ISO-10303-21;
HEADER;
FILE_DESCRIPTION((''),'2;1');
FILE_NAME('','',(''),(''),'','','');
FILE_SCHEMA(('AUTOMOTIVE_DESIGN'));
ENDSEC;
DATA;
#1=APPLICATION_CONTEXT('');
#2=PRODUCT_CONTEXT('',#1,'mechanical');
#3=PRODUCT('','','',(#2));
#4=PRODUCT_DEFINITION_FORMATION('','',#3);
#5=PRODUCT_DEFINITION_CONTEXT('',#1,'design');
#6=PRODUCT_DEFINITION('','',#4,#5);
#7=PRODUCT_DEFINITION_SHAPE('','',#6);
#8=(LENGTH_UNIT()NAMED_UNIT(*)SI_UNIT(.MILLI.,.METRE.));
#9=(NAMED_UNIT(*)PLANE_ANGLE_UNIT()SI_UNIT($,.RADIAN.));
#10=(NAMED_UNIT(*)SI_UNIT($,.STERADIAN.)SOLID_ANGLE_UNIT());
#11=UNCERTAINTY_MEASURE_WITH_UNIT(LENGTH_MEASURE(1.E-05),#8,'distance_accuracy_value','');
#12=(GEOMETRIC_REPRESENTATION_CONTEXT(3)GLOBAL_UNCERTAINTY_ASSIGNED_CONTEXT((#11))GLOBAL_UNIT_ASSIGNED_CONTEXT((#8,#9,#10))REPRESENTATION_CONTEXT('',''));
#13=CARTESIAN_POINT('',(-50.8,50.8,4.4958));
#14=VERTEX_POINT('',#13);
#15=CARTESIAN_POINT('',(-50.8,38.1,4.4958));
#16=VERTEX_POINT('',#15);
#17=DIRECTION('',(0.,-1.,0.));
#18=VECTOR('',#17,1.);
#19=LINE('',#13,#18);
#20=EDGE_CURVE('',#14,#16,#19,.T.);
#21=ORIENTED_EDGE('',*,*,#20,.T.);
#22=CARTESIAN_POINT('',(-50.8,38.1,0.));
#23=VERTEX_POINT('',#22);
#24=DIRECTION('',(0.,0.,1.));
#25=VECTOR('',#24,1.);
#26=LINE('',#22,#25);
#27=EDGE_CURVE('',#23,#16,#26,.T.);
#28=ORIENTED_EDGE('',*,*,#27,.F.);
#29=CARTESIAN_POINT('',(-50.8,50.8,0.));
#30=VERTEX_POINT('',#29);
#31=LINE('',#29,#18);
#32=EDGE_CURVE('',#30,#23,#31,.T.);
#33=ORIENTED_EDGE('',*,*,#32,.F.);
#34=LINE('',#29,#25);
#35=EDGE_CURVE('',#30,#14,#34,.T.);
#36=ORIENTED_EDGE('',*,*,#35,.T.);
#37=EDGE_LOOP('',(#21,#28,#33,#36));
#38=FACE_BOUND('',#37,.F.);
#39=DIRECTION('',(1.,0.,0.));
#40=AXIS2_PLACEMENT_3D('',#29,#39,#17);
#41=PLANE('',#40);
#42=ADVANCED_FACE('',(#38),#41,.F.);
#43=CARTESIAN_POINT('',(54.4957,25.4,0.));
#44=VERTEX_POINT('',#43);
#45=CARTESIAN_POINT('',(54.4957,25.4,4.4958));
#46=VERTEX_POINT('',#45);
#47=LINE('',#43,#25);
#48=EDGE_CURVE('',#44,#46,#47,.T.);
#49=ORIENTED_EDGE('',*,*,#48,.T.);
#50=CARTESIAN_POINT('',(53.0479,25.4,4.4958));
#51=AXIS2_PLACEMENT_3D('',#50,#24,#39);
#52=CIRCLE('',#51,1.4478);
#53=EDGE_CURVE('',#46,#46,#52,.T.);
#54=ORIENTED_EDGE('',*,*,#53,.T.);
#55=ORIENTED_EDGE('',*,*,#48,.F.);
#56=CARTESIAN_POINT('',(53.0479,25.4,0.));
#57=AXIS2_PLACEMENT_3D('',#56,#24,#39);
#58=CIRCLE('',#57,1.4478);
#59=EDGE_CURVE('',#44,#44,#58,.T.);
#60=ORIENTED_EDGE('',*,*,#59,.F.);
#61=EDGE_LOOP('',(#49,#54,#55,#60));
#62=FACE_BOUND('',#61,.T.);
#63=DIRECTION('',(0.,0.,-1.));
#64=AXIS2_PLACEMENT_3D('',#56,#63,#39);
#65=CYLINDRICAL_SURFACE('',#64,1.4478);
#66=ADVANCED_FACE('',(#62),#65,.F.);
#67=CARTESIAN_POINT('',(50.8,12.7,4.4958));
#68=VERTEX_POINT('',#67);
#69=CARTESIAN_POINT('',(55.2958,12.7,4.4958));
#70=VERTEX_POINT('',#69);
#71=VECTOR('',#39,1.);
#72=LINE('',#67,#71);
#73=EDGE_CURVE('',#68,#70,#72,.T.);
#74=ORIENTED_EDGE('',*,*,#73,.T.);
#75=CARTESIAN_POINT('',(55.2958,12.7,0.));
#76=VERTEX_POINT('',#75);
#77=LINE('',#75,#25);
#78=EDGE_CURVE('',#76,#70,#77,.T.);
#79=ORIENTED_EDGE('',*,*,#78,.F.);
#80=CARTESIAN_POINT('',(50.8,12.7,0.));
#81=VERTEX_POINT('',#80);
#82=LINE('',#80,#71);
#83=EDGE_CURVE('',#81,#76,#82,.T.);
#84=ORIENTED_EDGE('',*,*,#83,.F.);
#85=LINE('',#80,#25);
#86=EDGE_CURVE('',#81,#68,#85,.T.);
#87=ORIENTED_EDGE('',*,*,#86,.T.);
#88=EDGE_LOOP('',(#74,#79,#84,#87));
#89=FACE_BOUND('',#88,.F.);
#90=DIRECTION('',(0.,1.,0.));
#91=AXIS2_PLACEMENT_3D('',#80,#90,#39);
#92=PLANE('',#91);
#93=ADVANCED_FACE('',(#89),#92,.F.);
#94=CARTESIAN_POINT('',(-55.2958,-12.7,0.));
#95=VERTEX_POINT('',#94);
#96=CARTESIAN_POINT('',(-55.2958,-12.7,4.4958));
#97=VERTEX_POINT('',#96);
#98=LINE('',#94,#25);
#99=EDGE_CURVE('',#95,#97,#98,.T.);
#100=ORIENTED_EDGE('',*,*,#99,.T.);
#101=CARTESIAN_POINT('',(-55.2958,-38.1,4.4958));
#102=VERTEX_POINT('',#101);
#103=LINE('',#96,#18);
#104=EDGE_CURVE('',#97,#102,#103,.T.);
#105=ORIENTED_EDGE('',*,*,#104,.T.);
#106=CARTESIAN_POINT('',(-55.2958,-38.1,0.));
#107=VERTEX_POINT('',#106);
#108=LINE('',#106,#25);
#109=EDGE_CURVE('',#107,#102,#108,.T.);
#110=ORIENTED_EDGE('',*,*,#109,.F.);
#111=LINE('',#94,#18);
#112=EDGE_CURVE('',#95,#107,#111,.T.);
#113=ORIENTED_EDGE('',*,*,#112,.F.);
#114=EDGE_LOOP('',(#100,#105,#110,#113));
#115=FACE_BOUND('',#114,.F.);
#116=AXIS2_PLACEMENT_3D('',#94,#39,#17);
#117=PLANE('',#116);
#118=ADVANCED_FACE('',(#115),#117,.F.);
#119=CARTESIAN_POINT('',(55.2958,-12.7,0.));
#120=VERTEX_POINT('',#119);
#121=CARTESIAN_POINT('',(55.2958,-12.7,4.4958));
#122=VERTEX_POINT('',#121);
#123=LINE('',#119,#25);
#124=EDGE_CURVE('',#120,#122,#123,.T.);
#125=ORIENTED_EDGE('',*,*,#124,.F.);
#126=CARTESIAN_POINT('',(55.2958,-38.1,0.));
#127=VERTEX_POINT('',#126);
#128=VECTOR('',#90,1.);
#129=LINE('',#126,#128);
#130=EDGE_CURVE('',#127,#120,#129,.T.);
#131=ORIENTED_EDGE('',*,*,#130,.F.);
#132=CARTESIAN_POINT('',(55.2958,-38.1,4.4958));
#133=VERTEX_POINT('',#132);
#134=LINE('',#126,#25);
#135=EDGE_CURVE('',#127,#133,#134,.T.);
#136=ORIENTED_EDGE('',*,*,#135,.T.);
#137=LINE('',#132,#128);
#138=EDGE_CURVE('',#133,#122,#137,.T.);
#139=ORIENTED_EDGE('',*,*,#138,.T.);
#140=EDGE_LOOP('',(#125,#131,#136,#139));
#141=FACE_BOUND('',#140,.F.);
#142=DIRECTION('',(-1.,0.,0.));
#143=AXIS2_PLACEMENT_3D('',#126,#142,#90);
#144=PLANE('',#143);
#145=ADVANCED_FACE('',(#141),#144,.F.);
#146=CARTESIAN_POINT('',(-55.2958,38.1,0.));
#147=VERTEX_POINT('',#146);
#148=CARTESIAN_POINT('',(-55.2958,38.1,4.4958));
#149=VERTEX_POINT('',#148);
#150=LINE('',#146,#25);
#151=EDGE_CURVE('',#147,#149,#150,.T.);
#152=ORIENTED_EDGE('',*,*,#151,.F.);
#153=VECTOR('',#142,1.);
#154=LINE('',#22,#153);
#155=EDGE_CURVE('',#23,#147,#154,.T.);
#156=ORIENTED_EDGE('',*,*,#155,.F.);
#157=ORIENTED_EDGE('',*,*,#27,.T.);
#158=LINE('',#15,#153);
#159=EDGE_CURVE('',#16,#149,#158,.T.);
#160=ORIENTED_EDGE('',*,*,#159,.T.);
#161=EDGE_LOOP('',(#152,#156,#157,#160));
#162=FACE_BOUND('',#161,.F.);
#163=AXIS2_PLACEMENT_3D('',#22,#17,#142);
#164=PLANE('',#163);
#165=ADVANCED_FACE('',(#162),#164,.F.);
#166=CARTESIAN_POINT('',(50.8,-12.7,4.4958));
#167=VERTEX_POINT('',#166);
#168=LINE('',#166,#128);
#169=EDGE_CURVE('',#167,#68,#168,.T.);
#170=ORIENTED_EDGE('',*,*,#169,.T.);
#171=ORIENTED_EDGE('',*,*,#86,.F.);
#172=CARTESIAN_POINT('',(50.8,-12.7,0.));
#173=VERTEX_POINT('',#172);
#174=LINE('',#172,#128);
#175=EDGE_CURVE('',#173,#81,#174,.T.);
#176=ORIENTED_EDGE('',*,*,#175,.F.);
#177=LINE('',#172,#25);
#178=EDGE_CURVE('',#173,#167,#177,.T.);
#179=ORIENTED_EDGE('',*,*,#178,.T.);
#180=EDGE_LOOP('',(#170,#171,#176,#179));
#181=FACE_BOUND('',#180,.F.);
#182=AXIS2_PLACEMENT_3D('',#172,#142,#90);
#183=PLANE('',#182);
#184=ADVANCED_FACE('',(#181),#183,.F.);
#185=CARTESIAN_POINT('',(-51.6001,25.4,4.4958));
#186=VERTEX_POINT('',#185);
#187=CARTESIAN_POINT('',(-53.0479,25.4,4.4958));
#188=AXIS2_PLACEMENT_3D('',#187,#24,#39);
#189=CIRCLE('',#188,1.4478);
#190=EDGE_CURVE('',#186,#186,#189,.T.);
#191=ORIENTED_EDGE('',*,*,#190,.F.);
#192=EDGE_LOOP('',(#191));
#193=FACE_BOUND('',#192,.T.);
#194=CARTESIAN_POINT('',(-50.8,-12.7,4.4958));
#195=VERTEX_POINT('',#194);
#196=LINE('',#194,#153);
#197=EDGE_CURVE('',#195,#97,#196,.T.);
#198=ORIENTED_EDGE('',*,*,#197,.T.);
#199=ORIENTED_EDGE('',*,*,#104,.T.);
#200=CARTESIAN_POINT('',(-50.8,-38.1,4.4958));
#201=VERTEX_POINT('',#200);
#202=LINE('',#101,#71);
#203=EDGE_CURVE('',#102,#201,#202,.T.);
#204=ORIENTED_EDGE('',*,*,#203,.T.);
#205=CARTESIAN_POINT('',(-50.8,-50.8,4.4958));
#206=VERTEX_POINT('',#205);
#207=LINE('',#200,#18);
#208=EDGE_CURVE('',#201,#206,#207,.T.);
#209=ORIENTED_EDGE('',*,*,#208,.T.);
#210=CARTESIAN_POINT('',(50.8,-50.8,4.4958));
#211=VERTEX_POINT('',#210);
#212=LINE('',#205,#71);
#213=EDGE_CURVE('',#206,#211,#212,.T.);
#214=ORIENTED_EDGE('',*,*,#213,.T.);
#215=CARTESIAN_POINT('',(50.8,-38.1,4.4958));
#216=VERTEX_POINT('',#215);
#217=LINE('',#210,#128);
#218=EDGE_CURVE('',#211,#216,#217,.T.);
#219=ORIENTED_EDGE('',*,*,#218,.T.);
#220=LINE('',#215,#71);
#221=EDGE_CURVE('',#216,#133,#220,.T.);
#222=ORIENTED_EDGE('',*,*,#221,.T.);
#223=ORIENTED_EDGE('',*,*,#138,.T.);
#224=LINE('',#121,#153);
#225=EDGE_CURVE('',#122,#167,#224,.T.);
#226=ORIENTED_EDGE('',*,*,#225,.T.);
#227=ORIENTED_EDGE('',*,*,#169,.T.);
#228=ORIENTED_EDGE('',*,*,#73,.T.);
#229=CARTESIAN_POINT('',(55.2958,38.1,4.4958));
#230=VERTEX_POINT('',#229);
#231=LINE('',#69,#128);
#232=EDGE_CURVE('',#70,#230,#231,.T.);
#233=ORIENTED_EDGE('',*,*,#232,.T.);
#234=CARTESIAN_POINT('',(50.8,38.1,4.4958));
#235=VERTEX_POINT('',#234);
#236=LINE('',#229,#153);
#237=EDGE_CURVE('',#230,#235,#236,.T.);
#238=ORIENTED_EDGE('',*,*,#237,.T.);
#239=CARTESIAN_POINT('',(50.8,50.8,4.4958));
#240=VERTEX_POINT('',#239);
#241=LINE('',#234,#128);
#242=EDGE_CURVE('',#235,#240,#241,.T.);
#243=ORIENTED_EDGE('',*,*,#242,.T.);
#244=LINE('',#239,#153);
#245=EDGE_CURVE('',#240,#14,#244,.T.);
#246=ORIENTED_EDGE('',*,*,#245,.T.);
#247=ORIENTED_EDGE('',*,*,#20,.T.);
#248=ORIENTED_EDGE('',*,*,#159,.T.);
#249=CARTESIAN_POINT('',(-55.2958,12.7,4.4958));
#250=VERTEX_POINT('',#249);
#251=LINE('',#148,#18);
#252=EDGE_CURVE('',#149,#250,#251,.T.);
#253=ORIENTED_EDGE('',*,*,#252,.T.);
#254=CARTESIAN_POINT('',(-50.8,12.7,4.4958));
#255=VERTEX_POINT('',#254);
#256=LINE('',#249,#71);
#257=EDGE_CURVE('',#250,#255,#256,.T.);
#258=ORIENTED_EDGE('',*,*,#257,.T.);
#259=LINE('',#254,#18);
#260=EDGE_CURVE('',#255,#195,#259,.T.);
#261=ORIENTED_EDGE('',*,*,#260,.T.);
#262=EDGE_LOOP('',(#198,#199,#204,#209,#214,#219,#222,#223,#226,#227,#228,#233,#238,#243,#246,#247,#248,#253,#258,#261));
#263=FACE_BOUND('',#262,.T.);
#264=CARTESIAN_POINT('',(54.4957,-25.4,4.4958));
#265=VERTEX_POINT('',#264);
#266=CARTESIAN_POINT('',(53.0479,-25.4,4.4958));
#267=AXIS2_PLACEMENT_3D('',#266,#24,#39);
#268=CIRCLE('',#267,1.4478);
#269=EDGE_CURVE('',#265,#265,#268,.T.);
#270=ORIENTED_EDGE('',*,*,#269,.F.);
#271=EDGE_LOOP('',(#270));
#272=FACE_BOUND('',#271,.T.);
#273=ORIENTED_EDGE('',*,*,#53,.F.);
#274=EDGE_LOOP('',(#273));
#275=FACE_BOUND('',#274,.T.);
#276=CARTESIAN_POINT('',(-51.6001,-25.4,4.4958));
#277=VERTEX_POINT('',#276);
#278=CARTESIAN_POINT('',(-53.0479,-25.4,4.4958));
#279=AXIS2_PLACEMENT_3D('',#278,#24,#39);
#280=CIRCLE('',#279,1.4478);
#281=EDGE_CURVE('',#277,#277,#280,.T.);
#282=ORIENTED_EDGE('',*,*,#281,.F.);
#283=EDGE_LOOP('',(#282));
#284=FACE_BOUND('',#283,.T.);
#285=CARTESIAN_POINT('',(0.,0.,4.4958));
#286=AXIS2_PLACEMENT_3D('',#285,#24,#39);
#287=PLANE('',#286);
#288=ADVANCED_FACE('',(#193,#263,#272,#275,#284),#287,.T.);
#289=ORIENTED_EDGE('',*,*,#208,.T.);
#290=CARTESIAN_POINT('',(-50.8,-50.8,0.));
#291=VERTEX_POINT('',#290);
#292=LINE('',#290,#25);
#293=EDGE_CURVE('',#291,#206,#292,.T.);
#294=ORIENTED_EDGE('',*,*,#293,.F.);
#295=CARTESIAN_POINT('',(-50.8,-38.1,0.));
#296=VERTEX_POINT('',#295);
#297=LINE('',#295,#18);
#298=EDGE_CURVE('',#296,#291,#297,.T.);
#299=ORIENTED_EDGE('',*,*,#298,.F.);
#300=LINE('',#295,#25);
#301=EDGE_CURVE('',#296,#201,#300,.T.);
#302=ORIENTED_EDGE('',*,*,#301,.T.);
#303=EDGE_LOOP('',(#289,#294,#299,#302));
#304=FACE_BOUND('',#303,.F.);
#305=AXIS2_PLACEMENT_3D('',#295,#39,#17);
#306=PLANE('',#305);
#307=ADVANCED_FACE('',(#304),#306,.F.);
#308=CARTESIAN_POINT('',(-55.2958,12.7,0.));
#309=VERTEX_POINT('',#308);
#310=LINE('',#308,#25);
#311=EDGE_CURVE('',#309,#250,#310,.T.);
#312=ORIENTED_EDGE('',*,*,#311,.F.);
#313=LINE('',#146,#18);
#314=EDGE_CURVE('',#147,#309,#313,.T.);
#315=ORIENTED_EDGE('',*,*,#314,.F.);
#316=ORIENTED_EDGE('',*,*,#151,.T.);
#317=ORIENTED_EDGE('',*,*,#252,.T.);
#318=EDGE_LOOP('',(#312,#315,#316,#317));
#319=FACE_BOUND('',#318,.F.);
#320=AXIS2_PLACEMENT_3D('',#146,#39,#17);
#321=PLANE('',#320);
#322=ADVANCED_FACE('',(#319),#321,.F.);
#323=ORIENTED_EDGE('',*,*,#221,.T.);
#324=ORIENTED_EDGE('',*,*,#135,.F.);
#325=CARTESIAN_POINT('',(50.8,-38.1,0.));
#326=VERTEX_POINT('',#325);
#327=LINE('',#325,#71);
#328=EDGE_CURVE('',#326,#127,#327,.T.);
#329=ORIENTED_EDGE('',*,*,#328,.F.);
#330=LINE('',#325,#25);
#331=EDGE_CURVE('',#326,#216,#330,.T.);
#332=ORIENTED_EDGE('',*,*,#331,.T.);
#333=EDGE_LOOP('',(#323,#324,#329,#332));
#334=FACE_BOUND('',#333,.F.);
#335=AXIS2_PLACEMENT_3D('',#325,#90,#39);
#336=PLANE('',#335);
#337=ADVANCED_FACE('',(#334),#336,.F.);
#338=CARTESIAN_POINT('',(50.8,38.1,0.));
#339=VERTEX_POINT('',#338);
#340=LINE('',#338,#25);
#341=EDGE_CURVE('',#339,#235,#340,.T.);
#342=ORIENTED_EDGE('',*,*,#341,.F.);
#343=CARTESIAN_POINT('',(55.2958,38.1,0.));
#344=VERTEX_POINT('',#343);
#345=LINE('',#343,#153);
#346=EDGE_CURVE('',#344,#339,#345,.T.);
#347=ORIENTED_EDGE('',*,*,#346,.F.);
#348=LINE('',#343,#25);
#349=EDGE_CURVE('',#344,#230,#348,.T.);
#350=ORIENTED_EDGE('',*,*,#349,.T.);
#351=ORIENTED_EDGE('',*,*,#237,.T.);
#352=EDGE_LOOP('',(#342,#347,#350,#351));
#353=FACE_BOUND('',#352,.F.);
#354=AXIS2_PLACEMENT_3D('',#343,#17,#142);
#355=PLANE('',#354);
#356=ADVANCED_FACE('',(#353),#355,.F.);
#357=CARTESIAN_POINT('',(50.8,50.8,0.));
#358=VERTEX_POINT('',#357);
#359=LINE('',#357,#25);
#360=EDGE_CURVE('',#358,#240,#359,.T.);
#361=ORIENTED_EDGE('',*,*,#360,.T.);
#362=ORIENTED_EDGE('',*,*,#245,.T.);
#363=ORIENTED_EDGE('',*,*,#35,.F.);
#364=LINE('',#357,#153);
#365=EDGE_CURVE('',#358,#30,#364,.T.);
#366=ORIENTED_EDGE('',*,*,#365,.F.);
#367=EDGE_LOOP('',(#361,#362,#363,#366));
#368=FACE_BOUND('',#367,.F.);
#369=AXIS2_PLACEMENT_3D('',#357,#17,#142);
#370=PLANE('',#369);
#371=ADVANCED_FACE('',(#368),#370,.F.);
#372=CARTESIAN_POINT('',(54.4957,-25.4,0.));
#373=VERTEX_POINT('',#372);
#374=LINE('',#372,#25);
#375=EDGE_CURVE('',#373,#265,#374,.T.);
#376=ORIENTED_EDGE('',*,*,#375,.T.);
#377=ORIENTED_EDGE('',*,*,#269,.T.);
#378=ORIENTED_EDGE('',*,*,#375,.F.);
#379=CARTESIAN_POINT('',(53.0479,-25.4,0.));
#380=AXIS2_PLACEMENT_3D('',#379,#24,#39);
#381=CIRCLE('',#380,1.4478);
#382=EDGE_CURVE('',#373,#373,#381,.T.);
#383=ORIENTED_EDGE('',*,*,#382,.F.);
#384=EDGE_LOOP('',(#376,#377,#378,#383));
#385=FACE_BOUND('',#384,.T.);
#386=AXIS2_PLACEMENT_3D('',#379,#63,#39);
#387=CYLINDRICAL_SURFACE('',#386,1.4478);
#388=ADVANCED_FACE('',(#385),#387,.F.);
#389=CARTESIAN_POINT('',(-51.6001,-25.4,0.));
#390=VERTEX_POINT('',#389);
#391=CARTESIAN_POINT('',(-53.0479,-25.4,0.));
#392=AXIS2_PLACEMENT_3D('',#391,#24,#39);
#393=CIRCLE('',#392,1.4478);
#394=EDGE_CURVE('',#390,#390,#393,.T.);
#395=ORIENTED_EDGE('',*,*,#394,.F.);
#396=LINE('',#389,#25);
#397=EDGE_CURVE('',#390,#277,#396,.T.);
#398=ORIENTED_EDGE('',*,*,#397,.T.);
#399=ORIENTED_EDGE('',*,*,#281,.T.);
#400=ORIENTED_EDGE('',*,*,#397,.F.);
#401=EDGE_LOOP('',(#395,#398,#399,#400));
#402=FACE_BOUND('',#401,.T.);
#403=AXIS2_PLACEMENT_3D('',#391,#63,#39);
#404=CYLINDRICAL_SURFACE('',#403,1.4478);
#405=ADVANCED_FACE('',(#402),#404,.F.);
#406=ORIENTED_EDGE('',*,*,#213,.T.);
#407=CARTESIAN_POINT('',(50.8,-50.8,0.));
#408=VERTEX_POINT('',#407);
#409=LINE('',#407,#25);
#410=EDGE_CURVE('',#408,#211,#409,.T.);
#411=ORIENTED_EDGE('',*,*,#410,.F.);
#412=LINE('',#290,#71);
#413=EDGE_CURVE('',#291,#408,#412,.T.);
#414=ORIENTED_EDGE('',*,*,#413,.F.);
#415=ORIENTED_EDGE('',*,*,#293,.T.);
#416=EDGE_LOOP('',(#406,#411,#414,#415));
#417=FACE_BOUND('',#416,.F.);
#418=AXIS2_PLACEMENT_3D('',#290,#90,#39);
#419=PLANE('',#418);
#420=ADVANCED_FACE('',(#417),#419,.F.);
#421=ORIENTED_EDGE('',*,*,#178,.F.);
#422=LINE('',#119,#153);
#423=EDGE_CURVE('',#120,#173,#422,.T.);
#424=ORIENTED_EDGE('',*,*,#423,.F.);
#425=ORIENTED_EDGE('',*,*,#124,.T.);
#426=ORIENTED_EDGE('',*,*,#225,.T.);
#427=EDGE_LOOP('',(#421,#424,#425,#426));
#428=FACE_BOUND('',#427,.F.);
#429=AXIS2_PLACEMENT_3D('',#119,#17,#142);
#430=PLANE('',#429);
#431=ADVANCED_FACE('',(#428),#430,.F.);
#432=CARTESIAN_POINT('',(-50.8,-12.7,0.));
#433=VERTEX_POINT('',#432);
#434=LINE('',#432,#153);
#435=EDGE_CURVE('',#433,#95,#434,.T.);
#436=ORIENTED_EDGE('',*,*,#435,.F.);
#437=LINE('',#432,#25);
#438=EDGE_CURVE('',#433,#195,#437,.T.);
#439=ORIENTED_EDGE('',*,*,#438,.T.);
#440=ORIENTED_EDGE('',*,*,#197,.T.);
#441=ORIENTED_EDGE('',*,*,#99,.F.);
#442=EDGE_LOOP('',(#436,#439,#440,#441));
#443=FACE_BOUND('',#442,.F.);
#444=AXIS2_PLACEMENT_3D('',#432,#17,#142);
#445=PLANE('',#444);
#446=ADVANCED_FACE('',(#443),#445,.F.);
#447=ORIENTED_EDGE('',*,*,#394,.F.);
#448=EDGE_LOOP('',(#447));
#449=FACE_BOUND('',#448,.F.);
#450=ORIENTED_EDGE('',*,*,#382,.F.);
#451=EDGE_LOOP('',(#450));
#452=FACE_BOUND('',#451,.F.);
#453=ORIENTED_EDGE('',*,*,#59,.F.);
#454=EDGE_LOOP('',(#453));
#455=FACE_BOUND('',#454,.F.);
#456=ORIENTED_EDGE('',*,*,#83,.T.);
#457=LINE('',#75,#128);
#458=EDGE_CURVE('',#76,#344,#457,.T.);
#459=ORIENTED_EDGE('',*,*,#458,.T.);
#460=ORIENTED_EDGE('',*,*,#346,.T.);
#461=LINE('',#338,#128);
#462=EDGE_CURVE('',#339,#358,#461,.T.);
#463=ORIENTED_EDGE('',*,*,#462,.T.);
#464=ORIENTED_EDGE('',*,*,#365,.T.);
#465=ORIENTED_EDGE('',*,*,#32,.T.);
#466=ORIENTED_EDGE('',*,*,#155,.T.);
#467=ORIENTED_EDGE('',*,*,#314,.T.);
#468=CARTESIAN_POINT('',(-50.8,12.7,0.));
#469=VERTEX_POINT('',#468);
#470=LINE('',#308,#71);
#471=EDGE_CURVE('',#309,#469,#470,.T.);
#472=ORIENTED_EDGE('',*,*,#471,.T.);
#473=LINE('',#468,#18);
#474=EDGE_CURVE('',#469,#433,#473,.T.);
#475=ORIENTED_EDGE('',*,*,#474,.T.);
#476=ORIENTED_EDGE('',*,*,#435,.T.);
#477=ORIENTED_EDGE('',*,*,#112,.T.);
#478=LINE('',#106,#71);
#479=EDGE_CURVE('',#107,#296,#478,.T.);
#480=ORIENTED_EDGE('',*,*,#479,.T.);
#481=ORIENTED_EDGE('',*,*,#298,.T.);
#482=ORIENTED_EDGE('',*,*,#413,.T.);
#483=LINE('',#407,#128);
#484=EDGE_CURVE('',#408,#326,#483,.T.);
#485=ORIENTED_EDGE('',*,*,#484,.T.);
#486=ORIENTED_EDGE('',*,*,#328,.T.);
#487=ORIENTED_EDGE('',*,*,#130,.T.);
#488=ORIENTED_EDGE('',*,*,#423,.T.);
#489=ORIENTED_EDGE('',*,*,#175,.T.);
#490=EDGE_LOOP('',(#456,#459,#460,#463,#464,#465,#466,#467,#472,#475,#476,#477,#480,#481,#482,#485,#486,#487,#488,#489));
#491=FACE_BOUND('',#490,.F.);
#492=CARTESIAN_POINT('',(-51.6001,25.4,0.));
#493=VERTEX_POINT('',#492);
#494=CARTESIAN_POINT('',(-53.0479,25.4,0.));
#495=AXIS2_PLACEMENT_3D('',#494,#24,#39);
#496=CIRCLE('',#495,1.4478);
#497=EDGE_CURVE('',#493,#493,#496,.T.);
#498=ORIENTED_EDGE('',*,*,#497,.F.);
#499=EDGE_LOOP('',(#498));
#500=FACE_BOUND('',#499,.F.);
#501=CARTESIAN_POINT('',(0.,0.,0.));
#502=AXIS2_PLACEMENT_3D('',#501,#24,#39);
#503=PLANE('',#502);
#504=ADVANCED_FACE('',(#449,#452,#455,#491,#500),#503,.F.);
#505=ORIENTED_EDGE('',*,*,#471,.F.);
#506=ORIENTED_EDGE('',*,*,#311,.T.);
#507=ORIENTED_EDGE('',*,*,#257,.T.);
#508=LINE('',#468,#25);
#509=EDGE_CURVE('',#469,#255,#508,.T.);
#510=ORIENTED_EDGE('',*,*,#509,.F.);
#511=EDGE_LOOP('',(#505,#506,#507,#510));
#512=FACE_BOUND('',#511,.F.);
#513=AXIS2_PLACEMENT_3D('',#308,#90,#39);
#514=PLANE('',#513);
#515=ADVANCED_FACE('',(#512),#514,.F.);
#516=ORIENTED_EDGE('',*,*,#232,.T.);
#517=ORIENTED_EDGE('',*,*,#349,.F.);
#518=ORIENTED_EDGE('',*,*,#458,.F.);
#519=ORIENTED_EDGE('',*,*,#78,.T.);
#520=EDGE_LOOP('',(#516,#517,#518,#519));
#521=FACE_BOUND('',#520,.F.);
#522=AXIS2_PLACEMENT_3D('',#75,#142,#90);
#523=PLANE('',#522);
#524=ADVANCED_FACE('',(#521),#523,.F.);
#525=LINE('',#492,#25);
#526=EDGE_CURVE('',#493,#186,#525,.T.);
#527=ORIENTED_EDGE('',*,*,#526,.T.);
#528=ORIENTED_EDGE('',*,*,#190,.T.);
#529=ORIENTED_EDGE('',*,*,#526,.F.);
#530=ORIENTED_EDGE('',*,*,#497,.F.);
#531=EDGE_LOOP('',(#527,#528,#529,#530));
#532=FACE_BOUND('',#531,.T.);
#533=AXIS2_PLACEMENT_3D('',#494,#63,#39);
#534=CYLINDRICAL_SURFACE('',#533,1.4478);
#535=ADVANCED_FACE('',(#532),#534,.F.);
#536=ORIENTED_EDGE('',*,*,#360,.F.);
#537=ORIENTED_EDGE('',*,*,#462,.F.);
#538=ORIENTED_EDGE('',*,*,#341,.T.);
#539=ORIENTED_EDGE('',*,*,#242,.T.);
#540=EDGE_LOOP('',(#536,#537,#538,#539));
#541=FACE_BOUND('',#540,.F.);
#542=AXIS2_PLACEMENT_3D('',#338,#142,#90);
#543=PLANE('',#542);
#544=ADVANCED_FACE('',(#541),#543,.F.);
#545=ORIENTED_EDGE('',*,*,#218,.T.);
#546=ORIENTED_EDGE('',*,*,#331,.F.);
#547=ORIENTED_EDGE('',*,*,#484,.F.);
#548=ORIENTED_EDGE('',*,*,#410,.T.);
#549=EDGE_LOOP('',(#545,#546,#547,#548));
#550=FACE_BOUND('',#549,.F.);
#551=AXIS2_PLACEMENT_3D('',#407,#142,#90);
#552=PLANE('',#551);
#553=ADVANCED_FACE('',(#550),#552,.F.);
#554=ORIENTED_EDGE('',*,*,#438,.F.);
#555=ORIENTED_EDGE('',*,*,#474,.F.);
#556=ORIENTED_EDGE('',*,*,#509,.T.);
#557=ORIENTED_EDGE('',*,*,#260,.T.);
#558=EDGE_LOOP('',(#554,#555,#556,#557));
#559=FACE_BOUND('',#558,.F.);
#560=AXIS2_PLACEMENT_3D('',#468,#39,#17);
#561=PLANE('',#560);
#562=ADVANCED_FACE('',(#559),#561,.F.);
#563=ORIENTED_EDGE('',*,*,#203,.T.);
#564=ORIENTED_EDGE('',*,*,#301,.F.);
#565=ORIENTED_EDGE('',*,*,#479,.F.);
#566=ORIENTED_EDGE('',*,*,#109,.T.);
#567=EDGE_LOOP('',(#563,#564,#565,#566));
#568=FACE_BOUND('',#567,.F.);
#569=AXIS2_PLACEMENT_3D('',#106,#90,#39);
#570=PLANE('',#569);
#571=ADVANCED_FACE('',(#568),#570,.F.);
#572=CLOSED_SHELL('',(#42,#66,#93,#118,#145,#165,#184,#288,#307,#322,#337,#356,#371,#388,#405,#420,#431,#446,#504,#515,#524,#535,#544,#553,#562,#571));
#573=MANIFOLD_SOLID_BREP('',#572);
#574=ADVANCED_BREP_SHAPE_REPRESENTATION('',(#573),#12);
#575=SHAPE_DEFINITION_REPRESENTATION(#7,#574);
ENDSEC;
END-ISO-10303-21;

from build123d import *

# Parameters (mm, degrees)
F0_R     = 1.4478
F1_DEPTH = 4.4958


with BuildPart() as f1:
    # F0 (on Top) → F1 (new body)
    with BuildSketch(Plane.XY):
        Polygon((50.8, 50.8), (-50.8, 50.8), (-50.8, 38.1), (-55.2958, 38.1), (-55.2958, 12.7), (-50.8, 12.7), (-50.8, 0), (-50.8, -12.7), (-55.2958, -12.7), (-55.2958, -38.1), (-50.8, -38.1), (-50.8, -50.8), (50.8, -50.8), (50.8, -38.1), (55.2958, -38.1), (55.2958, -12.7), (50.8, -12.7), (50.8, 0), (50.8, 12.7), (55.2958, 12.7), (55.2958, 38.1), (50.8, 38.1), align=None)
        with Locations((-53.0479, -25.4)):
            Circle(F0_R, mode=Mode.SUBTRACT)
        with Locations((53.0479, -25.4)):
            Circle(F0_R, mode=Mode.SUBTRACT)
        with Locations((-53.0479, 25.4)):
            Circle(F0_R, mode=Mode.SUBTRACT)
        with Locations((53.0479, 25.4)):
            Circle(F0_R, mode=Mode.SUBTRACT)
    extrude(amount=F1_DEPTH)


solid = f1.part
